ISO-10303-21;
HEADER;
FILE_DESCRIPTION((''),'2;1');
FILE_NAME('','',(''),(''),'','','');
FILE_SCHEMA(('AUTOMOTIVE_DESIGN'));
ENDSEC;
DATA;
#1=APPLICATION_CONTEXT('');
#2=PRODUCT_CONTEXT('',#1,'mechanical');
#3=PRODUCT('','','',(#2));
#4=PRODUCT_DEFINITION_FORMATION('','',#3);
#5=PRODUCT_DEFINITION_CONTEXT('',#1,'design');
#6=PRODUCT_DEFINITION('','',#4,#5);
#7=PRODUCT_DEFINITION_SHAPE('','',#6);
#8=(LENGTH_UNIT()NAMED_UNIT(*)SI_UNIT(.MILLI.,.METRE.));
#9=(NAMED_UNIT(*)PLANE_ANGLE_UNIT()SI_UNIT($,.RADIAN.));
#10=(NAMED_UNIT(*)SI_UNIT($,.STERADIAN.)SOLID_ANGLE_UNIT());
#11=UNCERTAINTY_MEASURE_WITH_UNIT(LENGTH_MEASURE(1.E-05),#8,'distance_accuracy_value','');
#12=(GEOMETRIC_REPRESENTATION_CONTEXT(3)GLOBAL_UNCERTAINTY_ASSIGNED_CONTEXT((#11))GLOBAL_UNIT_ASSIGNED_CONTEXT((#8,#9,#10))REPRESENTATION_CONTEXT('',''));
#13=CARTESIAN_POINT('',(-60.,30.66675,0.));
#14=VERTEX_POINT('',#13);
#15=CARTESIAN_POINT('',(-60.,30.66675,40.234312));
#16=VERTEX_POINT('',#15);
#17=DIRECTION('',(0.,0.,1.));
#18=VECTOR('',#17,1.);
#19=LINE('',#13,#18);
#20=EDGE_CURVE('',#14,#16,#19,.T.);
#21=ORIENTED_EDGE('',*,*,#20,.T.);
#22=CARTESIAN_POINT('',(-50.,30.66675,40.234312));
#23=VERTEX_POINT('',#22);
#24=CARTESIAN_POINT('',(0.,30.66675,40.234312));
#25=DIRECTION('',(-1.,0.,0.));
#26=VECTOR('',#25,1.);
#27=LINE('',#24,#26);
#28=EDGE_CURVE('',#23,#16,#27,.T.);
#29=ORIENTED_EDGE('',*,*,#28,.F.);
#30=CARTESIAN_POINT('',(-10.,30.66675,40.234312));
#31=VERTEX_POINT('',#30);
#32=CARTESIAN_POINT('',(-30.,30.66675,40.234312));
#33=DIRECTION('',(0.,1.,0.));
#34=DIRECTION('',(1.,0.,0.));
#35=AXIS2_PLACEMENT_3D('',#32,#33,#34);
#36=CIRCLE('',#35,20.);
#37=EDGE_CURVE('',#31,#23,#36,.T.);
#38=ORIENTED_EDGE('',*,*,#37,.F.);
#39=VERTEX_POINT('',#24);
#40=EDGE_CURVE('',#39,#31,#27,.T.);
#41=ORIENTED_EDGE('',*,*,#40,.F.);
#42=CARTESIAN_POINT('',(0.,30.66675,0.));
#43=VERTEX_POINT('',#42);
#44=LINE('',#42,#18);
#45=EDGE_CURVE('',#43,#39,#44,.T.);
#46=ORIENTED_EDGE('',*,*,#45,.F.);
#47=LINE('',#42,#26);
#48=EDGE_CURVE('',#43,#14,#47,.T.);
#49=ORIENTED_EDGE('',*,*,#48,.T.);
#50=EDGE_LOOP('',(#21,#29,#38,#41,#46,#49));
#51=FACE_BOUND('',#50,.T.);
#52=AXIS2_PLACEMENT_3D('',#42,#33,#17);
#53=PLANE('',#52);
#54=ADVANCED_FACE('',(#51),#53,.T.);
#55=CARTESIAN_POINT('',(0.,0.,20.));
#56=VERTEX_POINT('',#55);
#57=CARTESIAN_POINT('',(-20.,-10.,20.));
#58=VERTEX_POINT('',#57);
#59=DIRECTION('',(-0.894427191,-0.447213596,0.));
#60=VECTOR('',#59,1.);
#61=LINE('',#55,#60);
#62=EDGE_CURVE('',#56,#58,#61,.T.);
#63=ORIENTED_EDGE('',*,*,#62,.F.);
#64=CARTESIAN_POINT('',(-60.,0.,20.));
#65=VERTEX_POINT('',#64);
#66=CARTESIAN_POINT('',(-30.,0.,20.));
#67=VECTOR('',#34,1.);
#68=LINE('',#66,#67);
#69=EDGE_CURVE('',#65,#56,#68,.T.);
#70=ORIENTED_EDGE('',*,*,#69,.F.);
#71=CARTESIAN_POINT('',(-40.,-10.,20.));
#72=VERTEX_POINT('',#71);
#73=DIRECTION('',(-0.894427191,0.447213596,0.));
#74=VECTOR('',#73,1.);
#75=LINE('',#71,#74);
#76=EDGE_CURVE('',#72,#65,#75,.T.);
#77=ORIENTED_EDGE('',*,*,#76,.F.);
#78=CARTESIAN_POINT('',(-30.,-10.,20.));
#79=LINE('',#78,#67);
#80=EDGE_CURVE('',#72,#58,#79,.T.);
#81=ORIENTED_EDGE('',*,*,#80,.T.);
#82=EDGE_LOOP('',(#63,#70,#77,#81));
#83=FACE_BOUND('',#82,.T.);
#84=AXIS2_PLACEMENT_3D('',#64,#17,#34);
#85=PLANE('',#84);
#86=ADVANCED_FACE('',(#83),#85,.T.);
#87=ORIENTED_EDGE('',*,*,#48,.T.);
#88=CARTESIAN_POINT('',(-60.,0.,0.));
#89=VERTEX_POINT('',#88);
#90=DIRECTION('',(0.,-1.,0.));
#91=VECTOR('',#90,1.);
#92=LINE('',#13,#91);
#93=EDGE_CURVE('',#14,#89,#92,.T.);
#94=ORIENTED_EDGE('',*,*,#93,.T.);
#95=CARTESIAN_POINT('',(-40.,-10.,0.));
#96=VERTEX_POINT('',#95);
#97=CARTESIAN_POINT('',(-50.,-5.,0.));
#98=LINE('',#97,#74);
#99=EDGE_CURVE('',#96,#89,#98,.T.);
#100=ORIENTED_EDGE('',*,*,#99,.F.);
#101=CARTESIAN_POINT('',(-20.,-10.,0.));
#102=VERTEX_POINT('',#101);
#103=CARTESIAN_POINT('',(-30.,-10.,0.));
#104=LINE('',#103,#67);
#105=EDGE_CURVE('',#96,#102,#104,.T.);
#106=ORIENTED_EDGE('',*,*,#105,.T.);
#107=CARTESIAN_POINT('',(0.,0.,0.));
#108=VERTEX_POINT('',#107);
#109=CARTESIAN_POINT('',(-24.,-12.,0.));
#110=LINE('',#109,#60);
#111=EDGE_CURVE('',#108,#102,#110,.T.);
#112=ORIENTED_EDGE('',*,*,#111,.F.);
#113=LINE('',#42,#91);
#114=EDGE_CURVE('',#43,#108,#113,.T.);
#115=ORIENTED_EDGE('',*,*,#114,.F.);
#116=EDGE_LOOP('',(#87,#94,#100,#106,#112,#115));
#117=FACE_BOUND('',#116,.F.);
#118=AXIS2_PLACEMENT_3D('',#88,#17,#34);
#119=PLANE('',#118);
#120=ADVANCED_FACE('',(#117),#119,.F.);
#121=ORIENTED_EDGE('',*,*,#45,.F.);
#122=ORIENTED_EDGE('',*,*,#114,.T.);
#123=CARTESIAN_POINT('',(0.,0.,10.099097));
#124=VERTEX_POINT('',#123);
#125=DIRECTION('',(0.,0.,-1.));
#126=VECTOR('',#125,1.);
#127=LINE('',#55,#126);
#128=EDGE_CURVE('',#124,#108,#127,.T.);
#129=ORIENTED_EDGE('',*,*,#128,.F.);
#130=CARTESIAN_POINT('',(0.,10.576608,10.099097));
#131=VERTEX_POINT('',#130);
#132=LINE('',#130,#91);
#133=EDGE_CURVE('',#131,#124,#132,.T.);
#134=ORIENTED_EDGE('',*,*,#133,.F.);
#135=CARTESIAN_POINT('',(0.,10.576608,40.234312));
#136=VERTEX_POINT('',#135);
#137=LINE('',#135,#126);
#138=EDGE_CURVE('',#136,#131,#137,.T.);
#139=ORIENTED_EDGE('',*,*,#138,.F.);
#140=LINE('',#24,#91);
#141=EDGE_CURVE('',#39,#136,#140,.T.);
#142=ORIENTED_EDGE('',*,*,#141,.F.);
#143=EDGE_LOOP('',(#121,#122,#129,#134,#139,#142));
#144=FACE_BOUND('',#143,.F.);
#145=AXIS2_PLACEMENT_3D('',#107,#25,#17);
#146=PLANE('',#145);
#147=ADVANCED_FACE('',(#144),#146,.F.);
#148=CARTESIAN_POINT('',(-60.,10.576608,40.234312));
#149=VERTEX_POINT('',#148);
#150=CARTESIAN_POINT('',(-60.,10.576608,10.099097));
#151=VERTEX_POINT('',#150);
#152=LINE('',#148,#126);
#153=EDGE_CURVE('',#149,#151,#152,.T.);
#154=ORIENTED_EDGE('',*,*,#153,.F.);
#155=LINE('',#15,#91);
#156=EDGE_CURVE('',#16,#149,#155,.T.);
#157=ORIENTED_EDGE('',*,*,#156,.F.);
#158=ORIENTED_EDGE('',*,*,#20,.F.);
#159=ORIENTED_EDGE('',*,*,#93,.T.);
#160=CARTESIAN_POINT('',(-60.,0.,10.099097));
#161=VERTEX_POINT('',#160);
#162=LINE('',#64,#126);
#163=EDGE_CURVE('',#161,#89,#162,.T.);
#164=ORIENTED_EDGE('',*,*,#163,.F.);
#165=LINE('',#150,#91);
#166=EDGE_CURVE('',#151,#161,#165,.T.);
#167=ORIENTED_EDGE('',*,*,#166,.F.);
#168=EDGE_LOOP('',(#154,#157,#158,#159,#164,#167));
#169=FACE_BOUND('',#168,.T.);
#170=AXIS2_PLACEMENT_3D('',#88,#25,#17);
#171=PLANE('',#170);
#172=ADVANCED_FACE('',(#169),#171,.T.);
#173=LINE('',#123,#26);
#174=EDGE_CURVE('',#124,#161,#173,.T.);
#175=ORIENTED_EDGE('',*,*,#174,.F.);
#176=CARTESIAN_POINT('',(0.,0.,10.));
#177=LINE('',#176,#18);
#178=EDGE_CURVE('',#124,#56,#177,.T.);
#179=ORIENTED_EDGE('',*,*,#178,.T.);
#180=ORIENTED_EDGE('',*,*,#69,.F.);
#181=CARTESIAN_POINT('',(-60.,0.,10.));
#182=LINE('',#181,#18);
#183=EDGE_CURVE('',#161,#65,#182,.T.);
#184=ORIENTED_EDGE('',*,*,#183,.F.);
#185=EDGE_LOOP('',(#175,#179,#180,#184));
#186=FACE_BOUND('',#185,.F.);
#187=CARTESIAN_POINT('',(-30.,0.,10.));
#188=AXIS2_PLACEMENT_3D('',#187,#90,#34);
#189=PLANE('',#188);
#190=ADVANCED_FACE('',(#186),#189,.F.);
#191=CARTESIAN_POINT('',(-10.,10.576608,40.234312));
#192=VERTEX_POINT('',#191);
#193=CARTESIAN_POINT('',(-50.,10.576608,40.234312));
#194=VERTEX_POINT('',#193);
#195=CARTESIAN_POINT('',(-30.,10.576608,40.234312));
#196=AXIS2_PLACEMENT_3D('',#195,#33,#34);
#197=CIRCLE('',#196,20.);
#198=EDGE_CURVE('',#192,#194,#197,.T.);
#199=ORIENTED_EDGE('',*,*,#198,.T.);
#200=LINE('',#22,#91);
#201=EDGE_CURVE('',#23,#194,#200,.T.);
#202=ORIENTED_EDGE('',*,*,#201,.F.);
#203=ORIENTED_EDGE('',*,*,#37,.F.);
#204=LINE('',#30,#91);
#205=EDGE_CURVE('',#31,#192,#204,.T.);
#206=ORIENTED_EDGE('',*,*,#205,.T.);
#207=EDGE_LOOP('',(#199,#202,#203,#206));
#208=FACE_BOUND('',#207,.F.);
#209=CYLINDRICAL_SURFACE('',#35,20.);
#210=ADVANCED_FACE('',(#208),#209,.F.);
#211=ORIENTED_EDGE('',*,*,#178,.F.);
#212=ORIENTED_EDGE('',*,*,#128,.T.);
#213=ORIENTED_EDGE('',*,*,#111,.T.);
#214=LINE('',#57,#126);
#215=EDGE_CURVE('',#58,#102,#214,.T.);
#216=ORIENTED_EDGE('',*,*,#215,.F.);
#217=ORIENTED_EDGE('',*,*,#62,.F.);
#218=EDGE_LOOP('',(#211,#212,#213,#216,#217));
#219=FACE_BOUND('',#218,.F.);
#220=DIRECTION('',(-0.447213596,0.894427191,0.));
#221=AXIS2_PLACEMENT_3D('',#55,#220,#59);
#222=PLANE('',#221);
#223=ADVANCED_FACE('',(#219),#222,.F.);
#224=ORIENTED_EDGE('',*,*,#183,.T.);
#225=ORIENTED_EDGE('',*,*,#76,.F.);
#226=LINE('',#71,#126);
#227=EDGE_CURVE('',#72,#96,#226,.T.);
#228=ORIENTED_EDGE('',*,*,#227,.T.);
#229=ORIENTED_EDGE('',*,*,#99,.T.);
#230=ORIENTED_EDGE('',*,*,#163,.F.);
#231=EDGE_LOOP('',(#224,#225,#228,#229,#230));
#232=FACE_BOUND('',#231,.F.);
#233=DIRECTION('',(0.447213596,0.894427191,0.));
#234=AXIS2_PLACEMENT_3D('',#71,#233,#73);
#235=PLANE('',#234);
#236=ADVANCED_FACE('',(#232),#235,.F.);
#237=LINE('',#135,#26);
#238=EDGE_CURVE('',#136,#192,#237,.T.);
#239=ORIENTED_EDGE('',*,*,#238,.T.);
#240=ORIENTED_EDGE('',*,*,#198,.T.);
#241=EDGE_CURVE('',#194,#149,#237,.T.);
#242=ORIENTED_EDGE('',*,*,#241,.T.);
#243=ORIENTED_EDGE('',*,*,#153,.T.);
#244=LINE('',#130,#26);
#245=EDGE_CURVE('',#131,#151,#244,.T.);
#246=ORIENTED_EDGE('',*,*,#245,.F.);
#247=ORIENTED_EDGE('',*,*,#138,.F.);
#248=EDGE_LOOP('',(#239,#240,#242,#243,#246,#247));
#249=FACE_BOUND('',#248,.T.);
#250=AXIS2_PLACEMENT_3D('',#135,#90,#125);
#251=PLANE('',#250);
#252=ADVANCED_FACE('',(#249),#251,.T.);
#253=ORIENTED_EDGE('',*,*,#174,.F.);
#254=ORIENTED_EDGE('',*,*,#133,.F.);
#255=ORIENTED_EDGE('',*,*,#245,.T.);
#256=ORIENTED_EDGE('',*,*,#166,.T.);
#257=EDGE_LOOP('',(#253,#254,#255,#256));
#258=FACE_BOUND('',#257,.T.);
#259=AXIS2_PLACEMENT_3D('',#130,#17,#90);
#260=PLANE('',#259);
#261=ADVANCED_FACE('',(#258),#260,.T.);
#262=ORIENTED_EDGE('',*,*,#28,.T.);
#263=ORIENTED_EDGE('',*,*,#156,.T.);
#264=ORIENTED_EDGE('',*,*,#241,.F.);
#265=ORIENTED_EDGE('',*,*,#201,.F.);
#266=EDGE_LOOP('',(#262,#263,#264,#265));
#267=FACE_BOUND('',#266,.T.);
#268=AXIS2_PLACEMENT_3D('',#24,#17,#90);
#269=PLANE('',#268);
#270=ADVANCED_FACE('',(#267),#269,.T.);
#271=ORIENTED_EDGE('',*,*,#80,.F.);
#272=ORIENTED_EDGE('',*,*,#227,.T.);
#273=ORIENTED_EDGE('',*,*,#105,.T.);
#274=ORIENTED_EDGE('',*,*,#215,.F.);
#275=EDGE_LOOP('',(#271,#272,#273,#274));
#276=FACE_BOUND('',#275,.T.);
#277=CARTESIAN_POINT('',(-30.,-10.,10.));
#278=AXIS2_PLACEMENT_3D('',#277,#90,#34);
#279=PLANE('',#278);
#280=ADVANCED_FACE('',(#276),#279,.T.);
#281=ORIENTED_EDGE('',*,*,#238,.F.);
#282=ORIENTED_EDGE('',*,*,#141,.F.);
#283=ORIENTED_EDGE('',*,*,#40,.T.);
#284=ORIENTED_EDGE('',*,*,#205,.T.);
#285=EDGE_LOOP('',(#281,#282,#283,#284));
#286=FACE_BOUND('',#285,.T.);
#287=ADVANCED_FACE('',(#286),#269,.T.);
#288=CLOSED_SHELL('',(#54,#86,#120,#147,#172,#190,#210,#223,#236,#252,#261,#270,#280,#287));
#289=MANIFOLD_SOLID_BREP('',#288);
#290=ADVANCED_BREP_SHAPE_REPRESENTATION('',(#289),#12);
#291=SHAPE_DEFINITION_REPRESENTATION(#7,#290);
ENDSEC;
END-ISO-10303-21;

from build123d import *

# Parameters (mm, degrees)
F1_DEPTH = 60
F3_DEPTH = 30.66775
F4_W     = 60
F4_H     = 20
F5_DEPTH = 10
F7_DEPTH = 20.001


with BuildPart() as f1:
    # F0 (on Right) → F1 (new body)
    with BuildSketch(Plane.YZ):
        Polygon((0, 10.099097), (0, 0), (30.66675, 0), (30.66675, 40.234312), (10.576608, 40.234312), (10.576608, 10.099097), align=None)
    extrude(amount=-F1_DEPTH)

    # F2 (on face) → F3 (cut, through all)
    with BuildSketch(Plane(origin=(0, 30.66675, 0), x_dir=(-1, 0, 0), z_dir=(0, 1, 0))):
        with BuildLine():
            Line((50, 40.234312), (10, 40.234312))
            ThreePointArc((10, 40.234312), (30, 20.234312), (50, 40.234312))
        make_face()
    extrude(amount=-F3_DEPTH, mode=Mode.SUBTRACT)

    # F4 (on face) → F5 (join)
    with BuildSketch(Plane.XZ):
        with Locations((-30, 10)):
            Rectangle(F4_W, F4_H)
    extrude(amount=F5_DEPTH)

    # F6 (on face) → F7 (cut, through all)
    with BuildSketch(Plane.XY.offset(20)):
        Polygon((0, 0), (-20, -10), (0, -10), align=None)
        Polygon((-40, -10), (-60, 0), (-60, -10), align=None)
    extrude(amount=-F7_DEPTH, mode=Mode.SUBTRACT)


solid = f1.part
